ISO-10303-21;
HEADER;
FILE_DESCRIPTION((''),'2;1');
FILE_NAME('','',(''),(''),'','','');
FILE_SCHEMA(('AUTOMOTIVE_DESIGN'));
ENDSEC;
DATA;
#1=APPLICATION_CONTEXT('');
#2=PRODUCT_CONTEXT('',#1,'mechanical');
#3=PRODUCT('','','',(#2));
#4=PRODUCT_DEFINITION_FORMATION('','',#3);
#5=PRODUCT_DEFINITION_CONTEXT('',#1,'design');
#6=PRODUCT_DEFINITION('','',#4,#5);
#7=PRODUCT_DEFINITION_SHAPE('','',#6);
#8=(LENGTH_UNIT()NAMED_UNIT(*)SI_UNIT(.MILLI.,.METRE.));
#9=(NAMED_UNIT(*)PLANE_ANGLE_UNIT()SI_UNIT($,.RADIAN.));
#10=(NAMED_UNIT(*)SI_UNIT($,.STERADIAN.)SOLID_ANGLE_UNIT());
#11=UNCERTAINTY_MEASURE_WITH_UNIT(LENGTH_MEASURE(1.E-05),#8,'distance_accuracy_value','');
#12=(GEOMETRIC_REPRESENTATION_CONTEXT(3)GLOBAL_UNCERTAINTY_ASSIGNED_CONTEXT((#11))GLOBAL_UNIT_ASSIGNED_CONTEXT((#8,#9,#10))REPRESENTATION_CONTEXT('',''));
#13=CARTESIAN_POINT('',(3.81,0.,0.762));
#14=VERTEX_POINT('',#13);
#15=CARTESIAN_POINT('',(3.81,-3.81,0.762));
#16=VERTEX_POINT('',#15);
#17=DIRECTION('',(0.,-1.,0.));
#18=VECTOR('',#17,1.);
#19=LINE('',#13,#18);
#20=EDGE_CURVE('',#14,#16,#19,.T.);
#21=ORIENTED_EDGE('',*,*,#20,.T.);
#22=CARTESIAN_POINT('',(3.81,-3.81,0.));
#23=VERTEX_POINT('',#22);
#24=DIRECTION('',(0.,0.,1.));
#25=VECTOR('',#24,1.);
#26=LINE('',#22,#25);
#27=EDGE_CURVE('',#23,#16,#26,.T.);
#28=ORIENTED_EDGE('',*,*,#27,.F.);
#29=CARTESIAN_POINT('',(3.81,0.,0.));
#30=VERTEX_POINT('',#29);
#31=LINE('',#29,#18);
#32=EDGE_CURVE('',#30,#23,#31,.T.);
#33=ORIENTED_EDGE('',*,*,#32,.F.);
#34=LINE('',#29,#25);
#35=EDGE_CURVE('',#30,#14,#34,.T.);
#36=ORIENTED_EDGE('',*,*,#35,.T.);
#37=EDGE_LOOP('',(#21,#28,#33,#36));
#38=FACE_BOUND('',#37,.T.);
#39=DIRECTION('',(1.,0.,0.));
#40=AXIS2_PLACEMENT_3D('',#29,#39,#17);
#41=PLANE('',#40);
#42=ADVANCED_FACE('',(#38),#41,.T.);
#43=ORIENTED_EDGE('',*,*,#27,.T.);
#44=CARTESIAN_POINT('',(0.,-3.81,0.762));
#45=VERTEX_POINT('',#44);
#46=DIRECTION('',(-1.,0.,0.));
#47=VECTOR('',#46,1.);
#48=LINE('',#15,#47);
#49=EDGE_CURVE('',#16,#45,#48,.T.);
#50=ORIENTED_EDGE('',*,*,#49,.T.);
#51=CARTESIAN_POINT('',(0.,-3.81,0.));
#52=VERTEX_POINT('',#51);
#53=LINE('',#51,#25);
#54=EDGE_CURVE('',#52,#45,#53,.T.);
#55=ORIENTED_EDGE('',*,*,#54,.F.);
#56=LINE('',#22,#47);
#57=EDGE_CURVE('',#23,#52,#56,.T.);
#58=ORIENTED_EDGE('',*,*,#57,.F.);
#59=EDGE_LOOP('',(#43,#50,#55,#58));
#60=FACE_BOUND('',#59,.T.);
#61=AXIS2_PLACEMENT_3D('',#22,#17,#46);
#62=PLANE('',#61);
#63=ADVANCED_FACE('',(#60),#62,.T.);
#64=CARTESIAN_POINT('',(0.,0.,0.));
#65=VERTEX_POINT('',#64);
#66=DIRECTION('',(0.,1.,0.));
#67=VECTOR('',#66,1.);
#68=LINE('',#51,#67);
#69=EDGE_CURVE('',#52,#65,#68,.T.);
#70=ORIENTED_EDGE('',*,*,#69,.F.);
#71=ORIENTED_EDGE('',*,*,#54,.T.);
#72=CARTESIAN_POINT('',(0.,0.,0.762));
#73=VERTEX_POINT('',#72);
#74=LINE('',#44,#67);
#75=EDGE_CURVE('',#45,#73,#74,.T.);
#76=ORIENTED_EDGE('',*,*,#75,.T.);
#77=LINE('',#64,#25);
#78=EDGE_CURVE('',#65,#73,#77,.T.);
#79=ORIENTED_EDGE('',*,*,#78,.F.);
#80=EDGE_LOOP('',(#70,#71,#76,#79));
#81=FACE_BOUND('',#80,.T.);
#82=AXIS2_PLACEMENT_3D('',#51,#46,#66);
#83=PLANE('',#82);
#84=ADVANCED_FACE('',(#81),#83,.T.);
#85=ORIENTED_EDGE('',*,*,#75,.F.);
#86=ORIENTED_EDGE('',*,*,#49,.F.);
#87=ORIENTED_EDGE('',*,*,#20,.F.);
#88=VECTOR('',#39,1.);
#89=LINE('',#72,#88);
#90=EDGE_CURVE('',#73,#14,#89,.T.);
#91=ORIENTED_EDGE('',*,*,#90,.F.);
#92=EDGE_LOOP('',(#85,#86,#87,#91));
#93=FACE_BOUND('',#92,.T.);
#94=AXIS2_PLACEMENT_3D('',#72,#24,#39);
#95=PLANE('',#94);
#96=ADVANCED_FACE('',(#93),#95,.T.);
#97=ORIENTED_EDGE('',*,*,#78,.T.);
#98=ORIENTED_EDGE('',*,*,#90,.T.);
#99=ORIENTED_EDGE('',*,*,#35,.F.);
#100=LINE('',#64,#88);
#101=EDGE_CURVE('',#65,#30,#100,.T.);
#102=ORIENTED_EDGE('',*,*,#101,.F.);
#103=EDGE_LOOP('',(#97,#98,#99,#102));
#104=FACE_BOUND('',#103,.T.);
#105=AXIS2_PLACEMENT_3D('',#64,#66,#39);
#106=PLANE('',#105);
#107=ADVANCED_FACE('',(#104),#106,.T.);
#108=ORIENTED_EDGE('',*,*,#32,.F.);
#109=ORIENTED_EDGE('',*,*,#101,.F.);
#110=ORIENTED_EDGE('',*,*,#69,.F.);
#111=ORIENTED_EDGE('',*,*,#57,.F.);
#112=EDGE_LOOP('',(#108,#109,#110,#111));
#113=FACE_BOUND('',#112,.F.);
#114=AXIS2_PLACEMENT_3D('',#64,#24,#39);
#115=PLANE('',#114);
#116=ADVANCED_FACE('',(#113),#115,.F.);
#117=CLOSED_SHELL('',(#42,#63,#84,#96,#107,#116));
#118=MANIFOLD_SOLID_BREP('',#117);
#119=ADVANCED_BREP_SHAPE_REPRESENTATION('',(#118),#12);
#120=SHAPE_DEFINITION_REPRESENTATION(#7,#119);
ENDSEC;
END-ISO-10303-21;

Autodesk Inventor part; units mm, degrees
ref_plane "YZ Plane" through (0, 0, 0) normal (1, 0, 0) x (0, 1, 0)
ref_plane "XZ Plane" through (0, 0, 0) normal (0, 1, 0) x (-1, 0, 0)
ref_plane "XY Plane" through (0, 0, 0) normal (0, 0, 1) x (1, 0, 0)
sketch "Sketch1" plane through (0, 0, 0) normal (0, 0, 1) x (1, 0, 0)
  line L0 (0, 0) -> (3.81, 0)
  line L1 (3.81, 0) -> (3.81, -3.81)
  line L2 (3.81, -3.81) -> (0, -3.81)
  line L3 (0, -3.81) -> (0, 0)
  dimension "d0" = 3.81
  dimension "d1" = 3.81
extrude "Extrusion1" add sketch "Sketch1" along normal blind 0.762
properties part number "IC" material "ABS Plastic"
